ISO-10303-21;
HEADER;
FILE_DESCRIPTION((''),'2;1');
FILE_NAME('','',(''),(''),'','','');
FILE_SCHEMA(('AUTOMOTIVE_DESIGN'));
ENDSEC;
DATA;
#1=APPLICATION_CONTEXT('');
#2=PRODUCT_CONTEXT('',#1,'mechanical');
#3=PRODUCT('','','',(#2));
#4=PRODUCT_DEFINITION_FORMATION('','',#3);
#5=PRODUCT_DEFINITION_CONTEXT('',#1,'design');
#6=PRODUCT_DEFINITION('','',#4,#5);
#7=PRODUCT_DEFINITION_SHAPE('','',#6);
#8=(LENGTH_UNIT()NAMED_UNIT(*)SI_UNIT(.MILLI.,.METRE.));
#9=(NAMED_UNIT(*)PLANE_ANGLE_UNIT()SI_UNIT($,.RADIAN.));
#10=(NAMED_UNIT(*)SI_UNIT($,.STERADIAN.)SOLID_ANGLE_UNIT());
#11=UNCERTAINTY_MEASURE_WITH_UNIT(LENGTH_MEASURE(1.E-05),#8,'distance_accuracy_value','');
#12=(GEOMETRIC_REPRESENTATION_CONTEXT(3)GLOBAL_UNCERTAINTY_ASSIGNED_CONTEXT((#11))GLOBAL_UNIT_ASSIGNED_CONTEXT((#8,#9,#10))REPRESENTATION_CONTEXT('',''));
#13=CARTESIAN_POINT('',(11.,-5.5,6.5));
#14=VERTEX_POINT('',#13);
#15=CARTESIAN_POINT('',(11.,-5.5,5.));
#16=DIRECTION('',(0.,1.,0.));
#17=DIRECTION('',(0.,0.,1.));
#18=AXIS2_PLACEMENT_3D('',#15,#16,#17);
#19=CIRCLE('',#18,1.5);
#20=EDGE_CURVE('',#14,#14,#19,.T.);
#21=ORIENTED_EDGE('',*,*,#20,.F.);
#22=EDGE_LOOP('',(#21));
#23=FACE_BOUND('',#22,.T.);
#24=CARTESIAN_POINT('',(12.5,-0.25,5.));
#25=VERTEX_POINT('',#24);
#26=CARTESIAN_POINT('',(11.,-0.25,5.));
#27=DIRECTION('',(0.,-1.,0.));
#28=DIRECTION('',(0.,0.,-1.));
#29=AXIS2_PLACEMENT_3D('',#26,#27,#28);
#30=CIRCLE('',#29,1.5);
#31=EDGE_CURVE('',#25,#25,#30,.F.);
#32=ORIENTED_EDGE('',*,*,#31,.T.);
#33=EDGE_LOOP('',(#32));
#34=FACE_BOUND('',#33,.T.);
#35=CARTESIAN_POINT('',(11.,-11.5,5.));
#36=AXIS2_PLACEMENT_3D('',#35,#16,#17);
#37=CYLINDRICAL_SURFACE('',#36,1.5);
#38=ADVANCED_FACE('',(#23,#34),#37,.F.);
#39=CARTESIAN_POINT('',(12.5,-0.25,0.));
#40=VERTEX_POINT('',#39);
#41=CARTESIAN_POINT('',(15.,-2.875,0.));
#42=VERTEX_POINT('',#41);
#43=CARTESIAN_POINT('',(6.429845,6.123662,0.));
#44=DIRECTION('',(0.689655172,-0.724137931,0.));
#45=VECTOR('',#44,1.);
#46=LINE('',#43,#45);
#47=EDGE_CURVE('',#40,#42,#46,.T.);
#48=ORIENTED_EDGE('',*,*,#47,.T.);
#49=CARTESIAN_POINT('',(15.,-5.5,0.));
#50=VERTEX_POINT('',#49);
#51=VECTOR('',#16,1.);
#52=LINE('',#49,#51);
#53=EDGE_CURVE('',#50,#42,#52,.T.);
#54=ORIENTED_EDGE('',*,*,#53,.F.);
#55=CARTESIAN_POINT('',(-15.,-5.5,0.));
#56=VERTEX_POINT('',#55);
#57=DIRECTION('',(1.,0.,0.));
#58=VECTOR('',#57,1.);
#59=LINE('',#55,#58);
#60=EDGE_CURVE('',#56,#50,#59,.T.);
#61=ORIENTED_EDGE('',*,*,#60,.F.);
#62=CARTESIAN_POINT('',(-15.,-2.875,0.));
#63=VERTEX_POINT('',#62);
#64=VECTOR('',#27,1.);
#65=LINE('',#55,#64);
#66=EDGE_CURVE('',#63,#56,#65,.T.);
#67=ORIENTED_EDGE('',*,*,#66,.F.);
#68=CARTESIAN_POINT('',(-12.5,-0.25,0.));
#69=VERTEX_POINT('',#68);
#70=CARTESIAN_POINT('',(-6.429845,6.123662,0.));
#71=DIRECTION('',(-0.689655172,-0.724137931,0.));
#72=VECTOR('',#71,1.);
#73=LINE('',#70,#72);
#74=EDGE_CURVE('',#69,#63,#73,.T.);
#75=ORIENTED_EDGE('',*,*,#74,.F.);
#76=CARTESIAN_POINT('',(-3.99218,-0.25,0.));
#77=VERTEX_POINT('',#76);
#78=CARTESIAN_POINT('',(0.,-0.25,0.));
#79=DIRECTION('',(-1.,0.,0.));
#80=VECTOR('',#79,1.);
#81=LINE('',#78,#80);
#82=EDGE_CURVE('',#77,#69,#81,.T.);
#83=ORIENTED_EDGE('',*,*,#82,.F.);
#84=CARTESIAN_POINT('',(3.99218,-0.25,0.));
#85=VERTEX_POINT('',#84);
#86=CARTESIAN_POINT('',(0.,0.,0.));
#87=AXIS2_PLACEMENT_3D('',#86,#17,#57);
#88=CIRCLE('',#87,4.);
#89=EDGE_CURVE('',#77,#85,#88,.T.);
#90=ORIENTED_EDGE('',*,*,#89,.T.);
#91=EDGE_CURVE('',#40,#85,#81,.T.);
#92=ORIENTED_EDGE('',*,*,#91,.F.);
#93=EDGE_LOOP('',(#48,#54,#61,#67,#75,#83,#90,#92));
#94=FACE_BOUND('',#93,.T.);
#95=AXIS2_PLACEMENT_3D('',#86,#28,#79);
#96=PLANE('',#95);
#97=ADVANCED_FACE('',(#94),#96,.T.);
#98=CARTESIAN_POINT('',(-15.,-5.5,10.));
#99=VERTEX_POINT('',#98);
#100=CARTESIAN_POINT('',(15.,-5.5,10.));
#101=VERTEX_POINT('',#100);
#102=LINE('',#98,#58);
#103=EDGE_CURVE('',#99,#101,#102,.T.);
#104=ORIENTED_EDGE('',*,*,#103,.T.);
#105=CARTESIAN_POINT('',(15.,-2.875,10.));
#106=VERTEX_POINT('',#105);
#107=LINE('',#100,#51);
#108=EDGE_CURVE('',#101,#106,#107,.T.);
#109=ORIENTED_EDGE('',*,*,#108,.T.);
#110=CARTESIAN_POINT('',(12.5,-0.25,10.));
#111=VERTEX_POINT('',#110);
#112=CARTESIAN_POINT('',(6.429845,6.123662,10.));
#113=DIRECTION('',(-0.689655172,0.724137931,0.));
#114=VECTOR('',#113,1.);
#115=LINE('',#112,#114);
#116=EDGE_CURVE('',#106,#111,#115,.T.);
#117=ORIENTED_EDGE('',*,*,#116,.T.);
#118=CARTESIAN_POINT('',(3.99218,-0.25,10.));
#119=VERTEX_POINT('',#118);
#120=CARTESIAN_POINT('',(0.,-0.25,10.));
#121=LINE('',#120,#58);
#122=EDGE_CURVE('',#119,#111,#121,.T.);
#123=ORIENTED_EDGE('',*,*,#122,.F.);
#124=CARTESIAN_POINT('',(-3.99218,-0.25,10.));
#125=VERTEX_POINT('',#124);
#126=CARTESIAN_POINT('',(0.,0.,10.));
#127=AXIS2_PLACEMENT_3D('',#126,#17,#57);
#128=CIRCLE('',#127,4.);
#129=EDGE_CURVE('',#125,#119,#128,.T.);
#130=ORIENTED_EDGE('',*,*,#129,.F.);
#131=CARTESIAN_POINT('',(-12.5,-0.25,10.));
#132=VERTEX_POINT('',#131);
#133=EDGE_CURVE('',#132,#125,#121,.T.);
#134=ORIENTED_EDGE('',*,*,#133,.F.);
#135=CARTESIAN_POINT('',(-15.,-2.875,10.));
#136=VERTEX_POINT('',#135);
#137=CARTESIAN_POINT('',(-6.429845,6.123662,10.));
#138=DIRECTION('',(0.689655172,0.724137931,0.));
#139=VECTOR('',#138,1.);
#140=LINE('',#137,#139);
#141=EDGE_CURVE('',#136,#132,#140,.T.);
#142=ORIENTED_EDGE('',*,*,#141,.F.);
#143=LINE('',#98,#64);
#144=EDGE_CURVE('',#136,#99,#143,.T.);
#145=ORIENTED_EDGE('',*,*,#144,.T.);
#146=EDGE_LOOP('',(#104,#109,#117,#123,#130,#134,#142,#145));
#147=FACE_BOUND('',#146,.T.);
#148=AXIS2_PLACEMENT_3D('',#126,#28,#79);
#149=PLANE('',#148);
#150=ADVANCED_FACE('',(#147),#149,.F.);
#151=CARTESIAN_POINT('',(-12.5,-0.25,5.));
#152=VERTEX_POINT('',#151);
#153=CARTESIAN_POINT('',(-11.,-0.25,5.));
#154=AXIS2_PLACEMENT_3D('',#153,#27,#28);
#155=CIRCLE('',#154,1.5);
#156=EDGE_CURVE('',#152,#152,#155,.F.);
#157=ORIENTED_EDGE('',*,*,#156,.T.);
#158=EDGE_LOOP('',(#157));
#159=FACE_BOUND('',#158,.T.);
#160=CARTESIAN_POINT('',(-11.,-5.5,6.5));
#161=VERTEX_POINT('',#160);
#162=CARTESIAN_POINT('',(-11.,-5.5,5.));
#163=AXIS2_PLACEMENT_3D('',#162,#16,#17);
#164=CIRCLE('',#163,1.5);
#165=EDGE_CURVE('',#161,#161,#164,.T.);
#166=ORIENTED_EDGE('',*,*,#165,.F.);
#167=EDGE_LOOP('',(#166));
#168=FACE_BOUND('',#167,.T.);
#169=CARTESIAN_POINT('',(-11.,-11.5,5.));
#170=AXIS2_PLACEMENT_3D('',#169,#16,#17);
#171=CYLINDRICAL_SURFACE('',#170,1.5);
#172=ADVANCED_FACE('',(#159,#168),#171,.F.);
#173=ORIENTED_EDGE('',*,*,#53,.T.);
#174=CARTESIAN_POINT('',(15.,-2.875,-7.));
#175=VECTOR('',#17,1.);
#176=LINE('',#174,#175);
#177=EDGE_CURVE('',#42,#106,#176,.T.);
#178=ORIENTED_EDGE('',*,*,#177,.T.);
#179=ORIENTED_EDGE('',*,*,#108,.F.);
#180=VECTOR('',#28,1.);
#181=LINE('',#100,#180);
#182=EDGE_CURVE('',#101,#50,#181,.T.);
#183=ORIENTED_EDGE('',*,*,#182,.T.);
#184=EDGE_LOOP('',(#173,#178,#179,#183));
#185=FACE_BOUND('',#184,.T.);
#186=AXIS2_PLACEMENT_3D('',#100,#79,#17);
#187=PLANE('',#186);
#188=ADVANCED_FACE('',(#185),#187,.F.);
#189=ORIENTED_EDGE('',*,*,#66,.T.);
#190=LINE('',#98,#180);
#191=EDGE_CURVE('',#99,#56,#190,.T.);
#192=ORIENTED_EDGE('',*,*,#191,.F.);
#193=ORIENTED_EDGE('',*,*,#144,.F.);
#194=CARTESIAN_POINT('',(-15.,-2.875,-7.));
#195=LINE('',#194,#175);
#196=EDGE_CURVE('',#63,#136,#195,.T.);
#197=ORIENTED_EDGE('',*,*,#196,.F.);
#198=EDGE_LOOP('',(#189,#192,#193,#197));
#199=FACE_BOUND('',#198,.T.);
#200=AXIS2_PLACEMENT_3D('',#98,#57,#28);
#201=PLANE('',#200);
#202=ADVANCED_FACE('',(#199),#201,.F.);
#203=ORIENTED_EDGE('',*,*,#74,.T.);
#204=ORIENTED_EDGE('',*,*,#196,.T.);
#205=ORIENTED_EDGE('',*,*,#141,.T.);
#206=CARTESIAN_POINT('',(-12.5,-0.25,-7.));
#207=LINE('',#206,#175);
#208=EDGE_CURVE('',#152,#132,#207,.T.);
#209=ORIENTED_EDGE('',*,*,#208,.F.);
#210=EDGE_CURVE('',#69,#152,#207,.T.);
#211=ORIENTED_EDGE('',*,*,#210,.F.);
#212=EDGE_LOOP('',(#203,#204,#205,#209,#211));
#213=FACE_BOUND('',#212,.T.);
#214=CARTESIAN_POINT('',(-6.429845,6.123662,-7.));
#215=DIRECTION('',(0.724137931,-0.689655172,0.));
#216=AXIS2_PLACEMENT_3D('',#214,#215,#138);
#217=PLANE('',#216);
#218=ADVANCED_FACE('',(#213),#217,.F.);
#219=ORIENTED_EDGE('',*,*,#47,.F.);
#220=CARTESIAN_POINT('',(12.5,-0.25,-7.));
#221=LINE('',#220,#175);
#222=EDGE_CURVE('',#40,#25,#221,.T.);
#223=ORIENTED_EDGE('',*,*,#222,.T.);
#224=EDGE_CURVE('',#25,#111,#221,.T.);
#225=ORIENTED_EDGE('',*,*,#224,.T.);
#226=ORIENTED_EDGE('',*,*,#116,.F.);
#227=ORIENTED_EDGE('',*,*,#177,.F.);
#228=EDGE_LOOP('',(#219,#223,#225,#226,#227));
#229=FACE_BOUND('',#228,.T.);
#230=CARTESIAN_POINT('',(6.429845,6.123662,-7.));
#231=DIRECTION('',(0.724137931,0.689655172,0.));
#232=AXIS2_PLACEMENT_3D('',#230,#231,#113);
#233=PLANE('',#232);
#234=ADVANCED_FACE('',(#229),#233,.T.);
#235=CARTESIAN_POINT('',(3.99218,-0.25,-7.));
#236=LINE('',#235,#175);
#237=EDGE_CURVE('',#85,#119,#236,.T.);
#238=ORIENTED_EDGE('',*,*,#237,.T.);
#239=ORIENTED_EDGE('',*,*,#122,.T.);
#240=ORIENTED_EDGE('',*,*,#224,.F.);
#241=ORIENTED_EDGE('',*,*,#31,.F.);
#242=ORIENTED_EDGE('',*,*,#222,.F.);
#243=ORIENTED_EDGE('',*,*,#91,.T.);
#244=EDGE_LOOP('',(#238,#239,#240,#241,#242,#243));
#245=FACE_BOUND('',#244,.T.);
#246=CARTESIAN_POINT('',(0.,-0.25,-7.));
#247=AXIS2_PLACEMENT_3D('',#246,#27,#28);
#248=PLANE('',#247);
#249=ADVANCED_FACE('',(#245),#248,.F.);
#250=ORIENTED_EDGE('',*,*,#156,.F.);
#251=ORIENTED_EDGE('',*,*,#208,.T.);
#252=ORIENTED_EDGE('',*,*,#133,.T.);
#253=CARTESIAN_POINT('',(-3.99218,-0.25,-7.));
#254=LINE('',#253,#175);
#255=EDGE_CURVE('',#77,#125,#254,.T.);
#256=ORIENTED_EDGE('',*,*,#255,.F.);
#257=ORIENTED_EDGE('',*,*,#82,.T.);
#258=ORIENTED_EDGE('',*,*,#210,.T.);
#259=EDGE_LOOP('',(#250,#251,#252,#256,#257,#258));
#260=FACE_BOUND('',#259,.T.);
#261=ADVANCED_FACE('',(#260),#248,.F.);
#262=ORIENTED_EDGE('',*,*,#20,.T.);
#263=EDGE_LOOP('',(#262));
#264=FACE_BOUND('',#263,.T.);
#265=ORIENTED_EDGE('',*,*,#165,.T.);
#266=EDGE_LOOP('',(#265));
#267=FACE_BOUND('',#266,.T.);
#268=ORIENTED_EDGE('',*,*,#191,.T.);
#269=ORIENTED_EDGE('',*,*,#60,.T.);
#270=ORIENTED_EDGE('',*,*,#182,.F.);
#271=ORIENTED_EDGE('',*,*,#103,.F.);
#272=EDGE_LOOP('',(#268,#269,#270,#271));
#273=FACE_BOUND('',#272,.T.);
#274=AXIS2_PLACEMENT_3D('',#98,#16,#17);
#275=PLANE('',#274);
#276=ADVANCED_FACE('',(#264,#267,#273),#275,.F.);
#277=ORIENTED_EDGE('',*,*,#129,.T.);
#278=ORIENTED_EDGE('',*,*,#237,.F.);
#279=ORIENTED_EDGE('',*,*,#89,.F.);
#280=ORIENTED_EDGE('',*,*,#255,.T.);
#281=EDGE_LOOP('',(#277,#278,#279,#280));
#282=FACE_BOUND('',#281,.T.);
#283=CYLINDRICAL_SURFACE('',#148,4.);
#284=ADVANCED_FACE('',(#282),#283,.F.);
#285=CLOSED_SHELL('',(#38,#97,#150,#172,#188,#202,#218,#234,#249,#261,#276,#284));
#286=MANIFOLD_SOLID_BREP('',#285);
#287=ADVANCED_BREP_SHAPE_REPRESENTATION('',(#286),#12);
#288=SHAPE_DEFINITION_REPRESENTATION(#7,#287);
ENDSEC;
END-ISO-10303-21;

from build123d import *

# Parameters (mm, degrees)
SKETCH1_W           = 30
SKETCH1_H           = 11
SKETCH1_R           = 4
BOSS_EXTRUDE1_DEPTH = 10
SKETCH2_R           = 1.5
CUT_EXTRUDE1_DEPTH  = 17
CUT_EXTRUDE2_START  = -17
CUT_EXTRUDE2_DEPTH  = 17
CUT_EXTRUDE3_DEPTH  = 17


with BuildPart() as part:
    # Sketch1 → Boss-Extrude1 (new body)
    with BuildSketch(Plane.XY):
        Rectangle(SKETCH1_W, SKETCH1_H)
        Circle(SKETCH1_R, mode=Mode.SUBTRACT)
    extrude(amount=BOSS_EXTRUDE1_DEPTH)

    # Sketch2 → Cut-Extrude1 (cut)
    with BuildSketch(Plane(origin=(0, 5.5, 0), x_dir=(1, 0, 0), z_dir=(0, 1, 0))):
        with Locations(Location((-11, -5, 0), (0, 0, 270))):
            Circle(SKETCH2_R)
        with Locations(Location((11, -5, 0), (0, 0, 270))):
            Circle(SKETCH2_R)
    extrude(amount=-CUT_EXTRUDE1_DEPTH, mode=Mode.SUBTRACT)

    # Sketch3 → Cut-Extrude2 (cut)
    with BuildSketch(Plane.XY.offset(10).offset(CUT_EXTRUDE2_START)):
        with BuildLine():
            Line((3.992179856, -0.25), (15, -0.25))
            Line((15, -0.25), (15, 5.5))
            Line((15, 5.5), (-15, 5.5))
            Line((-15, 5.5), (-15, -0.25))
            Line((-15, -0.25), (-3.992179856, -0.25))
            ThreePointArc((-3.992179856, -0.25), (0, 4), (3.992179856, -0.25))
        make_face()
    extrude(amount=CUT_EXTRUDE2_DEPTH, mode=Mode.SUBTRACT)

    # Sketch4 → Cut-Extrude3 (cut)
    with BuildSketch(Plane.XY.offset(10)):
        Polygon((-15, -2.875), (-12.5, -0.25), (-15, -0.25), align=None)
        Polygon((15, -0.25), (12.5, -0.25), (15, -2.875), align=None)
    extrude(amount=-CUT_EXTRUDE3_DEPTH, mode=Mode.SUBTRACT)


solid = part.part
